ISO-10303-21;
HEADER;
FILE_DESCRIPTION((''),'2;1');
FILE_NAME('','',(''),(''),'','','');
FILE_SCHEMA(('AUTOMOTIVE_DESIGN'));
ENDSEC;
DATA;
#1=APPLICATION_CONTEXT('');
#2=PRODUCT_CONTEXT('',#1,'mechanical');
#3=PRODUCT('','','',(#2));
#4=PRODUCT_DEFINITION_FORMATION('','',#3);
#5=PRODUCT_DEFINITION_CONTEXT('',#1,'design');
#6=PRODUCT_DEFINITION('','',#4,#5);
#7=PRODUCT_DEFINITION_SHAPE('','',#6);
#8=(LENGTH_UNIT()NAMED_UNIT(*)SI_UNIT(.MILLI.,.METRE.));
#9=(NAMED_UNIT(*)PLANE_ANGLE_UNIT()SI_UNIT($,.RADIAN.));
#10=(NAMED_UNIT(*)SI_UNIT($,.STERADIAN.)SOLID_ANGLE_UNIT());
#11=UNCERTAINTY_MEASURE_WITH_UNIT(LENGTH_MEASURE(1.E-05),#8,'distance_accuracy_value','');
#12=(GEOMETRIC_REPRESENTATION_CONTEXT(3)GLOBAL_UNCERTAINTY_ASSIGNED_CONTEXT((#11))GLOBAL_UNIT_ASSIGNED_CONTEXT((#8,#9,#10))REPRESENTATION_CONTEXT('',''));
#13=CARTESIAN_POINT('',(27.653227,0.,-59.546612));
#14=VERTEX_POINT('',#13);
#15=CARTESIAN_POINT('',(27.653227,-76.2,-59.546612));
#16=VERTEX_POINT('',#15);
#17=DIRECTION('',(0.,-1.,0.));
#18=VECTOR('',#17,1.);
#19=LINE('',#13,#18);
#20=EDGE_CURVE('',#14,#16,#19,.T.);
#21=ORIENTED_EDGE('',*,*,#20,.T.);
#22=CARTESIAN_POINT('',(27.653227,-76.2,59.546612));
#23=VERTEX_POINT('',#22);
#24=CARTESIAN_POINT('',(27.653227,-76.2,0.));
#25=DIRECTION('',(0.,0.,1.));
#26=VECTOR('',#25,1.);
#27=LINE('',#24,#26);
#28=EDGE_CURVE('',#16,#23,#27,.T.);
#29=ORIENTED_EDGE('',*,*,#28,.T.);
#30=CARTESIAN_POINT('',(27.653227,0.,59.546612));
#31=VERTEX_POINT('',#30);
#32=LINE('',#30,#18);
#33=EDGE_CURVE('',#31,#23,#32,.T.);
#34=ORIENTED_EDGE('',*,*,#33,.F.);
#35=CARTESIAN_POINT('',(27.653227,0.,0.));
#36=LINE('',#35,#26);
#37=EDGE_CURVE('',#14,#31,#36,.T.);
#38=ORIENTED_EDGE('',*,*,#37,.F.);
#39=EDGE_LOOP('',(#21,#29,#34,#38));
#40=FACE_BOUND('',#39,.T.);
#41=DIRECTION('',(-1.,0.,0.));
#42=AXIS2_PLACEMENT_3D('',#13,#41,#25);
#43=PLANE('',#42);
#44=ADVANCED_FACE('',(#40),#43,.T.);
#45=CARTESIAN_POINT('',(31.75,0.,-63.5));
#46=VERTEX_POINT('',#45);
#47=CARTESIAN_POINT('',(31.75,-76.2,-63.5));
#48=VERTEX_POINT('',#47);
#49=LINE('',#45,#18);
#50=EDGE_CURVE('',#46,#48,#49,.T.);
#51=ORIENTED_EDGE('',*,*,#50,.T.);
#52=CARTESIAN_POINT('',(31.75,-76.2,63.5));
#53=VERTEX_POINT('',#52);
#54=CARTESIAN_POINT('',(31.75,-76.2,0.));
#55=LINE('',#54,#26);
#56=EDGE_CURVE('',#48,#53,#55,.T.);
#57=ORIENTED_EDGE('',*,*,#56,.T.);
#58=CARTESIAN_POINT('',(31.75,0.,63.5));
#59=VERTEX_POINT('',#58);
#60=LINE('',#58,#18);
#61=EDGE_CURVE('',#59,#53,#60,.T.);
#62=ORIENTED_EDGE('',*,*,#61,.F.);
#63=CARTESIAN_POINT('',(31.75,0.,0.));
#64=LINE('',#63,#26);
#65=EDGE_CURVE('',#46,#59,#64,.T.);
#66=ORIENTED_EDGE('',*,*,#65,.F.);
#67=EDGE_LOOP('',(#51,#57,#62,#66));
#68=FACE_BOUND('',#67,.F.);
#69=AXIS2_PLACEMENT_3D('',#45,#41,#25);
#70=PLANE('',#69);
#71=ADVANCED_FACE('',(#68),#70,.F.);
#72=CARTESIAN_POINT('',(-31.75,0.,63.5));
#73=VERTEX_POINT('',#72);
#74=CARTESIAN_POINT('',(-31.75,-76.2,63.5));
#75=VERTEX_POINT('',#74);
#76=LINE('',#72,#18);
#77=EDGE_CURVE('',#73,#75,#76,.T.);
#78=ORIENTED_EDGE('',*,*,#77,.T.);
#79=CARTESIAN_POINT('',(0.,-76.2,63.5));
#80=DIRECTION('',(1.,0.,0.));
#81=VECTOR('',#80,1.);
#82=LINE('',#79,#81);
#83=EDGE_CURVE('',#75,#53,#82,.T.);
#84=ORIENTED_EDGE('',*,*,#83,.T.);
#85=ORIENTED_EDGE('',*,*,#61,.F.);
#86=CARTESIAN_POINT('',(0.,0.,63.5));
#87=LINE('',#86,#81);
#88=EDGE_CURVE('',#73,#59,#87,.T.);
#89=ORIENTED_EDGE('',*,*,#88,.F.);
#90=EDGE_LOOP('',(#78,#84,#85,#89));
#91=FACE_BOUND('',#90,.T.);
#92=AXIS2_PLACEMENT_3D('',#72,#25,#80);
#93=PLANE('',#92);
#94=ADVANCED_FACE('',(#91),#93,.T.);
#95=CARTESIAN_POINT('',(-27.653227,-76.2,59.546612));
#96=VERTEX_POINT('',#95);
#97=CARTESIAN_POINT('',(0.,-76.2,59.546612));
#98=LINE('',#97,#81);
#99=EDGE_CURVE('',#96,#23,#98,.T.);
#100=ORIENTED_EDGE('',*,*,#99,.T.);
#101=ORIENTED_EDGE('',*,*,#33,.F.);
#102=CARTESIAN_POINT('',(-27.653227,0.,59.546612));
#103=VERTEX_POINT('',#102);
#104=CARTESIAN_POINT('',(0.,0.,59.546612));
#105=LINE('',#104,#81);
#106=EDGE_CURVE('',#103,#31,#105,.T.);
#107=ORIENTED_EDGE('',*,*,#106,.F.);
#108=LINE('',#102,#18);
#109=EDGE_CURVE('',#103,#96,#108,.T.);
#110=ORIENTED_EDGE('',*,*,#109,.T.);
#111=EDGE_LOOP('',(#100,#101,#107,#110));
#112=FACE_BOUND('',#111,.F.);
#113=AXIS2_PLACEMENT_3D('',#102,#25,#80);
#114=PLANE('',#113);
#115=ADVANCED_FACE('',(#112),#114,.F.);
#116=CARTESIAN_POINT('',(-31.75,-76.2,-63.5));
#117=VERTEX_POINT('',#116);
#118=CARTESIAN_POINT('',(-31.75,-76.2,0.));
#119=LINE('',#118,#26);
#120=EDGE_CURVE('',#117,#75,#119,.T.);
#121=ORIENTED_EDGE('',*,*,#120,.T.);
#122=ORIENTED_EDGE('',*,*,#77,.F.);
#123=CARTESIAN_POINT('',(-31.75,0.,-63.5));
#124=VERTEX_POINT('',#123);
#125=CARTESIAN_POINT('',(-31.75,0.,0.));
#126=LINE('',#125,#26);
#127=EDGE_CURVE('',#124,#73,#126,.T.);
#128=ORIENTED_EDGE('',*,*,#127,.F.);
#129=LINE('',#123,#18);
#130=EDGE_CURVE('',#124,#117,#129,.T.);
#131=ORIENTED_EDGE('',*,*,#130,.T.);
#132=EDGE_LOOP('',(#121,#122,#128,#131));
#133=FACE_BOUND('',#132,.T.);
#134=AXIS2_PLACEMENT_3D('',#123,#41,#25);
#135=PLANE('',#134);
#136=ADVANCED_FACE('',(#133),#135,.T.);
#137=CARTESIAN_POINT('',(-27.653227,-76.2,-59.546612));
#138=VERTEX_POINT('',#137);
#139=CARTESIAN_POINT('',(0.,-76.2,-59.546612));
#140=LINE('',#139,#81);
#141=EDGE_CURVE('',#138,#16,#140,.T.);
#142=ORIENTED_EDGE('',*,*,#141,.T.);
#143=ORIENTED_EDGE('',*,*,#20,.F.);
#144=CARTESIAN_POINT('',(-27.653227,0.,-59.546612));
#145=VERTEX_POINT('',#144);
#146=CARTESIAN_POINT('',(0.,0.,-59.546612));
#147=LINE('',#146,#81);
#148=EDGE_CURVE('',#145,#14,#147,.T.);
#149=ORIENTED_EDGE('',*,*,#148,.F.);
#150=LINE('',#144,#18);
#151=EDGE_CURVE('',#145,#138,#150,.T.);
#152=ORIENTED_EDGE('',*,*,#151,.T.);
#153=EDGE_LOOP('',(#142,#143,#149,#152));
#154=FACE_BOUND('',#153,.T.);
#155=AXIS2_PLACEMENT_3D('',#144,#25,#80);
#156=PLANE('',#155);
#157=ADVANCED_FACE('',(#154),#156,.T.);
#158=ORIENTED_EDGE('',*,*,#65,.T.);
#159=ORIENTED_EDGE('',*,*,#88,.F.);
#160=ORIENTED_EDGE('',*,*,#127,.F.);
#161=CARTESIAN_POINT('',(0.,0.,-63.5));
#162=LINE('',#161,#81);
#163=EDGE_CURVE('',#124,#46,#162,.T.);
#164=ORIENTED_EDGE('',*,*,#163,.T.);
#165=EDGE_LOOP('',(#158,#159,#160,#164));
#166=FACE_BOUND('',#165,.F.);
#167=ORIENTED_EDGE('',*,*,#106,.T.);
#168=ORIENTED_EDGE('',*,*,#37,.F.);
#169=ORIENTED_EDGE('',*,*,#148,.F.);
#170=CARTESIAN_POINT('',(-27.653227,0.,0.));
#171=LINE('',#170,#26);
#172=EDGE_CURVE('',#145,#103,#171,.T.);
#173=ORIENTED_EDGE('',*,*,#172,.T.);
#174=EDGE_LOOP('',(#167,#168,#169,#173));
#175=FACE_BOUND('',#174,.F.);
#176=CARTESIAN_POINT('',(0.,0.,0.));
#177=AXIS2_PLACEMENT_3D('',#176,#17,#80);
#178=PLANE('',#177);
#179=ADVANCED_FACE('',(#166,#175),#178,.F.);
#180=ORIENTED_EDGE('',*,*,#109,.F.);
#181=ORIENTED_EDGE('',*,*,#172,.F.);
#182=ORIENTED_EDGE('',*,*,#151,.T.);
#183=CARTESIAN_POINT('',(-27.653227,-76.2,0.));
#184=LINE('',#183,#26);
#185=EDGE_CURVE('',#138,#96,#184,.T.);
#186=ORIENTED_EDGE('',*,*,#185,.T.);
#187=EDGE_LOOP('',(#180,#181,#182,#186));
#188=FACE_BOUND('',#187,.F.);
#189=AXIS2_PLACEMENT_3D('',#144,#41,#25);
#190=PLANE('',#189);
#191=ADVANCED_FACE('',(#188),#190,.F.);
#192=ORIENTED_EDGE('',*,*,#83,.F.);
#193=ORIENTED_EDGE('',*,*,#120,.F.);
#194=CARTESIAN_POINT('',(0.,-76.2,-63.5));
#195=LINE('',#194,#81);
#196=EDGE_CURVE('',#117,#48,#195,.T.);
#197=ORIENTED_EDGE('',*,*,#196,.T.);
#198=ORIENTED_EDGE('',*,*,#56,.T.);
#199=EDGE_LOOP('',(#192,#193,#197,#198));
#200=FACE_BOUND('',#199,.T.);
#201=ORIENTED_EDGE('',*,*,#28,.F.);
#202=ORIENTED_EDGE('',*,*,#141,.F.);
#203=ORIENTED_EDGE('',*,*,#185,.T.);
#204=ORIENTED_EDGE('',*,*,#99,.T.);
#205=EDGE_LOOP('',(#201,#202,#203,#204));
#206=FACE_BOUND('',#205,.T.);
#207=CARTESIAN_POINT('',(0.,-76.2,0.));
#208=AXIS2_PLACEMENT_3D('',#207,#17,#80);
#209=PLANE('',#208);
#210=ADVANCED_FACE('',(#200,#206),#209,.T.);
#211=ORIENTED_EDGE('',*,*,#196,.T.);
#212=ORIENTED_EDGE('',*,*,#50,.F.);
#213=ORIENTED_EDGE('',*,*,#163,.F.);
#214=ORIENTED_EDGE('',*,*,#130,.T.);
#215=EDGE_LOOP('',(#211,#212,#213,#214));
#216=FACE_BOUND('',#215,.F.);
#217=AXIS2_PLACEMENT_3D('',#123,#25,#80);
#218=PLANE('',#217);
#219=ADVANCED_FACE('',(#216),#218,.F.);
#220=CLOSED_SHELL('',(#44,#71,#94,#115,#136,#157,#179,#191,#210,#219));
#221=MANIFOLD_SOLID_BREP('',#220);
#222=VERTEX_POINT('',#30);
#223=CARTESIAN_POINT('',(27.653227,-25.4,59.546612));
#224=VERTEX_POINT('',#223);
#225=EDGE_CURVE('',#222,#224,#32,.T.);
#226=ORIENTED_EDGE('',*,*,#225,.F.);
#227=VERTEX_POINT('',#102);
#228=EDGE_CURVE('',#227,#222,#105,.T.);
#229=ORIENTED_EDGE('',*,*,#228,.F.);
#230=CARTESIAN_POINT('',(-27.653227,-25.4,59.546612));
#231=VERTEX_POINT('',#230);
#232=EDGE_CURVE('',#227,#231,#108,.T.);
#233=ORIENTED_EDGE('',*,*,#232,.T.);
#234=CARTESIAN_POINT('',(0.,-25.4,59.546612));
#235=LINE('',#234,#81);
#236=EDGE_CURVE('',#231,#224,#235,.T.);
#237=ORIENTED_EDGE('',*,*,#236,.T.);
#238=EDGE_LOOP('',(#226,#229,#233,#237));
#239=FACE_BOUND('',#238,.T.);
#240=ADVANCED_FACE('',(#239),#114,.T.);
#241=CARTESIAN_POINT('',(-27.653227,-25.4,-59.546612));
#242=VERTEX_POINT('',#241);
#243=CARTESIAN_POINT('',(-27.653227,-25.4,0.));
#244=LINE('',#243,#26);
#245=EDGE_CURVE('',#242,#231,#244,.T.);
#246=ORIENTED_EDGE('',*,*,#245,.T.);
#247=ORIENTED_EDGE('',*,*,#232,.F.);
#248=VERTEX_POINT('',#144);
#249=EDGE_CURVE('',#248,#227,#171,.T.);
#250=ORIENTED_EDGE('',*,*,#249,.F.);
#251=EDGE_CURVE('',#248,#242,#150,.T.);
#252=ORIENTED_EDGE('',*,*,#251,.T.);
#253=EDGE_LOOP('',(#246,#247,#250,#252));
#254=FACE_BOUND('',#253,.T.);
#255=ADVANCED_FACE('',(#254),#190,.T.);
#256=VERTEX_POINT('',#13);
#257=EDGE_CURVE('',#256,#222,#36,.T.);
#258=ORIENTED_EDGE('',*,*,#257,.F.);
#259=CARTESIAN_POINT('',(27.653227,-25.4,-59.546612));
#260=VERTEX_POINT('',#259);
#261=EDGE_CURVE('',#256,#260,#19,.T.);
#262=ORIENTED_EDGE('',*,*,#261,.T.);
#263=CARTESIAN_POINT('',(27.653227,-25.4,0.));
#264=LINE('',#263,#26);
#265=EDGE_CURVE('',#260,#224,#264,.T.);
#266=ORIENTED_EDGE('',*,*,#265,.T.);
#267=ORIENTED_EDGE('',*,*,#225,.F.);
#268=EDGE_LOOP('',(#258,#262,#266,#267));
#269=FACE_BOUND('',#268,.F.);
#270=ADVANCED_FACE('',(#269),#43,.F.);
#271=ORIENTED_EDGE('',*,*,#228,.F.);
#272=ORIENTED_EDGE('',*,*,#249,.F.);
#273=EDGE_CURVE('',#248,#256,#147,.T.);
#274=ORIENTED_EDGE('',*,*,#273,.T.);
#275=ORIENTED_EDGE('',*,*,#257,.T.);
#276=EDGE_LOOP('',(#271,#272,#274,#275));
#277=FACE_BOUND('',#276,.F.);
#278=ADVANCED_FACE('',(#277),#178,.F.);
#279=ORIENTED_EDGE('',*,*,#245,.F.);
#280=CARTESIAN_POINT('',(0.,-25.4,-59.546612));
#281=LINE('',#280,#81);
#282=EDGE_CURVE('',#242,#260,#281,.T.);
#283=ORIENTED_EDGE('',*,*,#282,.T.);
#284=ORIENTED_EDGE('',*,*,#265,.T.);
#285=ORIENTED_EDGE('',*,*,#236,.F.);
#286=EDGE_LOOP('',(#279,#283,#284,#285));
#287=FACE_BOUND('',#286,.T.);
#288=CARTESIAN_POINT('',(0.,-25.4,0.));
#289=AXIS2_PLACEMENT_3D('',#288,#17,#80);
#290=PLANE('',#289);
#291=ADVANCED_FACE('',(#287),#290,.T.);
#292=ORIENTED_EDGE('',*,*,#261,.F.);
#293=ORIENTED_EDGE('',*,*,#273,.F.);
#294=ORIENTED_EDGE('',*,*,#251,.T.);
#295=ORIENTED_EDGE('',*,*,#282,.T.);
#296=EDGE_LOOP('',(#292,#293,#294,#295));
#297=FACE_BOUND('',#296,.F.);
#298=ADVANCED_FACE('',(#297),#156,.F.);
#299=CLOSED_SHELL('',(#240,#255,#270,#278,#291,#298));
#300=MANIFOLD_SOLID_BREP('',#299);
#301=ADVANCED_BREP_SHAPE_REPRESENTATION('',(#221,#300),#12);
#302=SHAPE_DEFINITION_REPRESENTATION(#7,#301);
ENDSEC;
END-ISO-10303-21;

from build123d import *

# Parameters (mm, degrees)
F0_W     = 63.5
F0_H     = 127
F0_W_2   = 55.306454
F0_H_2   = 119.093224
F1_DEPTH = 76.2
F2_DEPTH = 25.4


with BuildPart() as f1:
    # F0 (on Front) → F1 (new body)
    with BuildSketch(Plane.XZ):
        Rectangle(F0_W, F0_H)
        Rectangle(F0_W_2, F0_H_2, mode=Mode.SUBTRACT)
    extrude(amount=F1_DEPTH)


with BuildPart() as f2:
    # F0 (on Front) → F2 (new body)
    with BuildSketch(Plane.XZ):
        Rectangle(F0_W_2, F0_H_2)
    extrude(amount=F2_DEPTH)


solid = Compound([f1.part, f2.part])
